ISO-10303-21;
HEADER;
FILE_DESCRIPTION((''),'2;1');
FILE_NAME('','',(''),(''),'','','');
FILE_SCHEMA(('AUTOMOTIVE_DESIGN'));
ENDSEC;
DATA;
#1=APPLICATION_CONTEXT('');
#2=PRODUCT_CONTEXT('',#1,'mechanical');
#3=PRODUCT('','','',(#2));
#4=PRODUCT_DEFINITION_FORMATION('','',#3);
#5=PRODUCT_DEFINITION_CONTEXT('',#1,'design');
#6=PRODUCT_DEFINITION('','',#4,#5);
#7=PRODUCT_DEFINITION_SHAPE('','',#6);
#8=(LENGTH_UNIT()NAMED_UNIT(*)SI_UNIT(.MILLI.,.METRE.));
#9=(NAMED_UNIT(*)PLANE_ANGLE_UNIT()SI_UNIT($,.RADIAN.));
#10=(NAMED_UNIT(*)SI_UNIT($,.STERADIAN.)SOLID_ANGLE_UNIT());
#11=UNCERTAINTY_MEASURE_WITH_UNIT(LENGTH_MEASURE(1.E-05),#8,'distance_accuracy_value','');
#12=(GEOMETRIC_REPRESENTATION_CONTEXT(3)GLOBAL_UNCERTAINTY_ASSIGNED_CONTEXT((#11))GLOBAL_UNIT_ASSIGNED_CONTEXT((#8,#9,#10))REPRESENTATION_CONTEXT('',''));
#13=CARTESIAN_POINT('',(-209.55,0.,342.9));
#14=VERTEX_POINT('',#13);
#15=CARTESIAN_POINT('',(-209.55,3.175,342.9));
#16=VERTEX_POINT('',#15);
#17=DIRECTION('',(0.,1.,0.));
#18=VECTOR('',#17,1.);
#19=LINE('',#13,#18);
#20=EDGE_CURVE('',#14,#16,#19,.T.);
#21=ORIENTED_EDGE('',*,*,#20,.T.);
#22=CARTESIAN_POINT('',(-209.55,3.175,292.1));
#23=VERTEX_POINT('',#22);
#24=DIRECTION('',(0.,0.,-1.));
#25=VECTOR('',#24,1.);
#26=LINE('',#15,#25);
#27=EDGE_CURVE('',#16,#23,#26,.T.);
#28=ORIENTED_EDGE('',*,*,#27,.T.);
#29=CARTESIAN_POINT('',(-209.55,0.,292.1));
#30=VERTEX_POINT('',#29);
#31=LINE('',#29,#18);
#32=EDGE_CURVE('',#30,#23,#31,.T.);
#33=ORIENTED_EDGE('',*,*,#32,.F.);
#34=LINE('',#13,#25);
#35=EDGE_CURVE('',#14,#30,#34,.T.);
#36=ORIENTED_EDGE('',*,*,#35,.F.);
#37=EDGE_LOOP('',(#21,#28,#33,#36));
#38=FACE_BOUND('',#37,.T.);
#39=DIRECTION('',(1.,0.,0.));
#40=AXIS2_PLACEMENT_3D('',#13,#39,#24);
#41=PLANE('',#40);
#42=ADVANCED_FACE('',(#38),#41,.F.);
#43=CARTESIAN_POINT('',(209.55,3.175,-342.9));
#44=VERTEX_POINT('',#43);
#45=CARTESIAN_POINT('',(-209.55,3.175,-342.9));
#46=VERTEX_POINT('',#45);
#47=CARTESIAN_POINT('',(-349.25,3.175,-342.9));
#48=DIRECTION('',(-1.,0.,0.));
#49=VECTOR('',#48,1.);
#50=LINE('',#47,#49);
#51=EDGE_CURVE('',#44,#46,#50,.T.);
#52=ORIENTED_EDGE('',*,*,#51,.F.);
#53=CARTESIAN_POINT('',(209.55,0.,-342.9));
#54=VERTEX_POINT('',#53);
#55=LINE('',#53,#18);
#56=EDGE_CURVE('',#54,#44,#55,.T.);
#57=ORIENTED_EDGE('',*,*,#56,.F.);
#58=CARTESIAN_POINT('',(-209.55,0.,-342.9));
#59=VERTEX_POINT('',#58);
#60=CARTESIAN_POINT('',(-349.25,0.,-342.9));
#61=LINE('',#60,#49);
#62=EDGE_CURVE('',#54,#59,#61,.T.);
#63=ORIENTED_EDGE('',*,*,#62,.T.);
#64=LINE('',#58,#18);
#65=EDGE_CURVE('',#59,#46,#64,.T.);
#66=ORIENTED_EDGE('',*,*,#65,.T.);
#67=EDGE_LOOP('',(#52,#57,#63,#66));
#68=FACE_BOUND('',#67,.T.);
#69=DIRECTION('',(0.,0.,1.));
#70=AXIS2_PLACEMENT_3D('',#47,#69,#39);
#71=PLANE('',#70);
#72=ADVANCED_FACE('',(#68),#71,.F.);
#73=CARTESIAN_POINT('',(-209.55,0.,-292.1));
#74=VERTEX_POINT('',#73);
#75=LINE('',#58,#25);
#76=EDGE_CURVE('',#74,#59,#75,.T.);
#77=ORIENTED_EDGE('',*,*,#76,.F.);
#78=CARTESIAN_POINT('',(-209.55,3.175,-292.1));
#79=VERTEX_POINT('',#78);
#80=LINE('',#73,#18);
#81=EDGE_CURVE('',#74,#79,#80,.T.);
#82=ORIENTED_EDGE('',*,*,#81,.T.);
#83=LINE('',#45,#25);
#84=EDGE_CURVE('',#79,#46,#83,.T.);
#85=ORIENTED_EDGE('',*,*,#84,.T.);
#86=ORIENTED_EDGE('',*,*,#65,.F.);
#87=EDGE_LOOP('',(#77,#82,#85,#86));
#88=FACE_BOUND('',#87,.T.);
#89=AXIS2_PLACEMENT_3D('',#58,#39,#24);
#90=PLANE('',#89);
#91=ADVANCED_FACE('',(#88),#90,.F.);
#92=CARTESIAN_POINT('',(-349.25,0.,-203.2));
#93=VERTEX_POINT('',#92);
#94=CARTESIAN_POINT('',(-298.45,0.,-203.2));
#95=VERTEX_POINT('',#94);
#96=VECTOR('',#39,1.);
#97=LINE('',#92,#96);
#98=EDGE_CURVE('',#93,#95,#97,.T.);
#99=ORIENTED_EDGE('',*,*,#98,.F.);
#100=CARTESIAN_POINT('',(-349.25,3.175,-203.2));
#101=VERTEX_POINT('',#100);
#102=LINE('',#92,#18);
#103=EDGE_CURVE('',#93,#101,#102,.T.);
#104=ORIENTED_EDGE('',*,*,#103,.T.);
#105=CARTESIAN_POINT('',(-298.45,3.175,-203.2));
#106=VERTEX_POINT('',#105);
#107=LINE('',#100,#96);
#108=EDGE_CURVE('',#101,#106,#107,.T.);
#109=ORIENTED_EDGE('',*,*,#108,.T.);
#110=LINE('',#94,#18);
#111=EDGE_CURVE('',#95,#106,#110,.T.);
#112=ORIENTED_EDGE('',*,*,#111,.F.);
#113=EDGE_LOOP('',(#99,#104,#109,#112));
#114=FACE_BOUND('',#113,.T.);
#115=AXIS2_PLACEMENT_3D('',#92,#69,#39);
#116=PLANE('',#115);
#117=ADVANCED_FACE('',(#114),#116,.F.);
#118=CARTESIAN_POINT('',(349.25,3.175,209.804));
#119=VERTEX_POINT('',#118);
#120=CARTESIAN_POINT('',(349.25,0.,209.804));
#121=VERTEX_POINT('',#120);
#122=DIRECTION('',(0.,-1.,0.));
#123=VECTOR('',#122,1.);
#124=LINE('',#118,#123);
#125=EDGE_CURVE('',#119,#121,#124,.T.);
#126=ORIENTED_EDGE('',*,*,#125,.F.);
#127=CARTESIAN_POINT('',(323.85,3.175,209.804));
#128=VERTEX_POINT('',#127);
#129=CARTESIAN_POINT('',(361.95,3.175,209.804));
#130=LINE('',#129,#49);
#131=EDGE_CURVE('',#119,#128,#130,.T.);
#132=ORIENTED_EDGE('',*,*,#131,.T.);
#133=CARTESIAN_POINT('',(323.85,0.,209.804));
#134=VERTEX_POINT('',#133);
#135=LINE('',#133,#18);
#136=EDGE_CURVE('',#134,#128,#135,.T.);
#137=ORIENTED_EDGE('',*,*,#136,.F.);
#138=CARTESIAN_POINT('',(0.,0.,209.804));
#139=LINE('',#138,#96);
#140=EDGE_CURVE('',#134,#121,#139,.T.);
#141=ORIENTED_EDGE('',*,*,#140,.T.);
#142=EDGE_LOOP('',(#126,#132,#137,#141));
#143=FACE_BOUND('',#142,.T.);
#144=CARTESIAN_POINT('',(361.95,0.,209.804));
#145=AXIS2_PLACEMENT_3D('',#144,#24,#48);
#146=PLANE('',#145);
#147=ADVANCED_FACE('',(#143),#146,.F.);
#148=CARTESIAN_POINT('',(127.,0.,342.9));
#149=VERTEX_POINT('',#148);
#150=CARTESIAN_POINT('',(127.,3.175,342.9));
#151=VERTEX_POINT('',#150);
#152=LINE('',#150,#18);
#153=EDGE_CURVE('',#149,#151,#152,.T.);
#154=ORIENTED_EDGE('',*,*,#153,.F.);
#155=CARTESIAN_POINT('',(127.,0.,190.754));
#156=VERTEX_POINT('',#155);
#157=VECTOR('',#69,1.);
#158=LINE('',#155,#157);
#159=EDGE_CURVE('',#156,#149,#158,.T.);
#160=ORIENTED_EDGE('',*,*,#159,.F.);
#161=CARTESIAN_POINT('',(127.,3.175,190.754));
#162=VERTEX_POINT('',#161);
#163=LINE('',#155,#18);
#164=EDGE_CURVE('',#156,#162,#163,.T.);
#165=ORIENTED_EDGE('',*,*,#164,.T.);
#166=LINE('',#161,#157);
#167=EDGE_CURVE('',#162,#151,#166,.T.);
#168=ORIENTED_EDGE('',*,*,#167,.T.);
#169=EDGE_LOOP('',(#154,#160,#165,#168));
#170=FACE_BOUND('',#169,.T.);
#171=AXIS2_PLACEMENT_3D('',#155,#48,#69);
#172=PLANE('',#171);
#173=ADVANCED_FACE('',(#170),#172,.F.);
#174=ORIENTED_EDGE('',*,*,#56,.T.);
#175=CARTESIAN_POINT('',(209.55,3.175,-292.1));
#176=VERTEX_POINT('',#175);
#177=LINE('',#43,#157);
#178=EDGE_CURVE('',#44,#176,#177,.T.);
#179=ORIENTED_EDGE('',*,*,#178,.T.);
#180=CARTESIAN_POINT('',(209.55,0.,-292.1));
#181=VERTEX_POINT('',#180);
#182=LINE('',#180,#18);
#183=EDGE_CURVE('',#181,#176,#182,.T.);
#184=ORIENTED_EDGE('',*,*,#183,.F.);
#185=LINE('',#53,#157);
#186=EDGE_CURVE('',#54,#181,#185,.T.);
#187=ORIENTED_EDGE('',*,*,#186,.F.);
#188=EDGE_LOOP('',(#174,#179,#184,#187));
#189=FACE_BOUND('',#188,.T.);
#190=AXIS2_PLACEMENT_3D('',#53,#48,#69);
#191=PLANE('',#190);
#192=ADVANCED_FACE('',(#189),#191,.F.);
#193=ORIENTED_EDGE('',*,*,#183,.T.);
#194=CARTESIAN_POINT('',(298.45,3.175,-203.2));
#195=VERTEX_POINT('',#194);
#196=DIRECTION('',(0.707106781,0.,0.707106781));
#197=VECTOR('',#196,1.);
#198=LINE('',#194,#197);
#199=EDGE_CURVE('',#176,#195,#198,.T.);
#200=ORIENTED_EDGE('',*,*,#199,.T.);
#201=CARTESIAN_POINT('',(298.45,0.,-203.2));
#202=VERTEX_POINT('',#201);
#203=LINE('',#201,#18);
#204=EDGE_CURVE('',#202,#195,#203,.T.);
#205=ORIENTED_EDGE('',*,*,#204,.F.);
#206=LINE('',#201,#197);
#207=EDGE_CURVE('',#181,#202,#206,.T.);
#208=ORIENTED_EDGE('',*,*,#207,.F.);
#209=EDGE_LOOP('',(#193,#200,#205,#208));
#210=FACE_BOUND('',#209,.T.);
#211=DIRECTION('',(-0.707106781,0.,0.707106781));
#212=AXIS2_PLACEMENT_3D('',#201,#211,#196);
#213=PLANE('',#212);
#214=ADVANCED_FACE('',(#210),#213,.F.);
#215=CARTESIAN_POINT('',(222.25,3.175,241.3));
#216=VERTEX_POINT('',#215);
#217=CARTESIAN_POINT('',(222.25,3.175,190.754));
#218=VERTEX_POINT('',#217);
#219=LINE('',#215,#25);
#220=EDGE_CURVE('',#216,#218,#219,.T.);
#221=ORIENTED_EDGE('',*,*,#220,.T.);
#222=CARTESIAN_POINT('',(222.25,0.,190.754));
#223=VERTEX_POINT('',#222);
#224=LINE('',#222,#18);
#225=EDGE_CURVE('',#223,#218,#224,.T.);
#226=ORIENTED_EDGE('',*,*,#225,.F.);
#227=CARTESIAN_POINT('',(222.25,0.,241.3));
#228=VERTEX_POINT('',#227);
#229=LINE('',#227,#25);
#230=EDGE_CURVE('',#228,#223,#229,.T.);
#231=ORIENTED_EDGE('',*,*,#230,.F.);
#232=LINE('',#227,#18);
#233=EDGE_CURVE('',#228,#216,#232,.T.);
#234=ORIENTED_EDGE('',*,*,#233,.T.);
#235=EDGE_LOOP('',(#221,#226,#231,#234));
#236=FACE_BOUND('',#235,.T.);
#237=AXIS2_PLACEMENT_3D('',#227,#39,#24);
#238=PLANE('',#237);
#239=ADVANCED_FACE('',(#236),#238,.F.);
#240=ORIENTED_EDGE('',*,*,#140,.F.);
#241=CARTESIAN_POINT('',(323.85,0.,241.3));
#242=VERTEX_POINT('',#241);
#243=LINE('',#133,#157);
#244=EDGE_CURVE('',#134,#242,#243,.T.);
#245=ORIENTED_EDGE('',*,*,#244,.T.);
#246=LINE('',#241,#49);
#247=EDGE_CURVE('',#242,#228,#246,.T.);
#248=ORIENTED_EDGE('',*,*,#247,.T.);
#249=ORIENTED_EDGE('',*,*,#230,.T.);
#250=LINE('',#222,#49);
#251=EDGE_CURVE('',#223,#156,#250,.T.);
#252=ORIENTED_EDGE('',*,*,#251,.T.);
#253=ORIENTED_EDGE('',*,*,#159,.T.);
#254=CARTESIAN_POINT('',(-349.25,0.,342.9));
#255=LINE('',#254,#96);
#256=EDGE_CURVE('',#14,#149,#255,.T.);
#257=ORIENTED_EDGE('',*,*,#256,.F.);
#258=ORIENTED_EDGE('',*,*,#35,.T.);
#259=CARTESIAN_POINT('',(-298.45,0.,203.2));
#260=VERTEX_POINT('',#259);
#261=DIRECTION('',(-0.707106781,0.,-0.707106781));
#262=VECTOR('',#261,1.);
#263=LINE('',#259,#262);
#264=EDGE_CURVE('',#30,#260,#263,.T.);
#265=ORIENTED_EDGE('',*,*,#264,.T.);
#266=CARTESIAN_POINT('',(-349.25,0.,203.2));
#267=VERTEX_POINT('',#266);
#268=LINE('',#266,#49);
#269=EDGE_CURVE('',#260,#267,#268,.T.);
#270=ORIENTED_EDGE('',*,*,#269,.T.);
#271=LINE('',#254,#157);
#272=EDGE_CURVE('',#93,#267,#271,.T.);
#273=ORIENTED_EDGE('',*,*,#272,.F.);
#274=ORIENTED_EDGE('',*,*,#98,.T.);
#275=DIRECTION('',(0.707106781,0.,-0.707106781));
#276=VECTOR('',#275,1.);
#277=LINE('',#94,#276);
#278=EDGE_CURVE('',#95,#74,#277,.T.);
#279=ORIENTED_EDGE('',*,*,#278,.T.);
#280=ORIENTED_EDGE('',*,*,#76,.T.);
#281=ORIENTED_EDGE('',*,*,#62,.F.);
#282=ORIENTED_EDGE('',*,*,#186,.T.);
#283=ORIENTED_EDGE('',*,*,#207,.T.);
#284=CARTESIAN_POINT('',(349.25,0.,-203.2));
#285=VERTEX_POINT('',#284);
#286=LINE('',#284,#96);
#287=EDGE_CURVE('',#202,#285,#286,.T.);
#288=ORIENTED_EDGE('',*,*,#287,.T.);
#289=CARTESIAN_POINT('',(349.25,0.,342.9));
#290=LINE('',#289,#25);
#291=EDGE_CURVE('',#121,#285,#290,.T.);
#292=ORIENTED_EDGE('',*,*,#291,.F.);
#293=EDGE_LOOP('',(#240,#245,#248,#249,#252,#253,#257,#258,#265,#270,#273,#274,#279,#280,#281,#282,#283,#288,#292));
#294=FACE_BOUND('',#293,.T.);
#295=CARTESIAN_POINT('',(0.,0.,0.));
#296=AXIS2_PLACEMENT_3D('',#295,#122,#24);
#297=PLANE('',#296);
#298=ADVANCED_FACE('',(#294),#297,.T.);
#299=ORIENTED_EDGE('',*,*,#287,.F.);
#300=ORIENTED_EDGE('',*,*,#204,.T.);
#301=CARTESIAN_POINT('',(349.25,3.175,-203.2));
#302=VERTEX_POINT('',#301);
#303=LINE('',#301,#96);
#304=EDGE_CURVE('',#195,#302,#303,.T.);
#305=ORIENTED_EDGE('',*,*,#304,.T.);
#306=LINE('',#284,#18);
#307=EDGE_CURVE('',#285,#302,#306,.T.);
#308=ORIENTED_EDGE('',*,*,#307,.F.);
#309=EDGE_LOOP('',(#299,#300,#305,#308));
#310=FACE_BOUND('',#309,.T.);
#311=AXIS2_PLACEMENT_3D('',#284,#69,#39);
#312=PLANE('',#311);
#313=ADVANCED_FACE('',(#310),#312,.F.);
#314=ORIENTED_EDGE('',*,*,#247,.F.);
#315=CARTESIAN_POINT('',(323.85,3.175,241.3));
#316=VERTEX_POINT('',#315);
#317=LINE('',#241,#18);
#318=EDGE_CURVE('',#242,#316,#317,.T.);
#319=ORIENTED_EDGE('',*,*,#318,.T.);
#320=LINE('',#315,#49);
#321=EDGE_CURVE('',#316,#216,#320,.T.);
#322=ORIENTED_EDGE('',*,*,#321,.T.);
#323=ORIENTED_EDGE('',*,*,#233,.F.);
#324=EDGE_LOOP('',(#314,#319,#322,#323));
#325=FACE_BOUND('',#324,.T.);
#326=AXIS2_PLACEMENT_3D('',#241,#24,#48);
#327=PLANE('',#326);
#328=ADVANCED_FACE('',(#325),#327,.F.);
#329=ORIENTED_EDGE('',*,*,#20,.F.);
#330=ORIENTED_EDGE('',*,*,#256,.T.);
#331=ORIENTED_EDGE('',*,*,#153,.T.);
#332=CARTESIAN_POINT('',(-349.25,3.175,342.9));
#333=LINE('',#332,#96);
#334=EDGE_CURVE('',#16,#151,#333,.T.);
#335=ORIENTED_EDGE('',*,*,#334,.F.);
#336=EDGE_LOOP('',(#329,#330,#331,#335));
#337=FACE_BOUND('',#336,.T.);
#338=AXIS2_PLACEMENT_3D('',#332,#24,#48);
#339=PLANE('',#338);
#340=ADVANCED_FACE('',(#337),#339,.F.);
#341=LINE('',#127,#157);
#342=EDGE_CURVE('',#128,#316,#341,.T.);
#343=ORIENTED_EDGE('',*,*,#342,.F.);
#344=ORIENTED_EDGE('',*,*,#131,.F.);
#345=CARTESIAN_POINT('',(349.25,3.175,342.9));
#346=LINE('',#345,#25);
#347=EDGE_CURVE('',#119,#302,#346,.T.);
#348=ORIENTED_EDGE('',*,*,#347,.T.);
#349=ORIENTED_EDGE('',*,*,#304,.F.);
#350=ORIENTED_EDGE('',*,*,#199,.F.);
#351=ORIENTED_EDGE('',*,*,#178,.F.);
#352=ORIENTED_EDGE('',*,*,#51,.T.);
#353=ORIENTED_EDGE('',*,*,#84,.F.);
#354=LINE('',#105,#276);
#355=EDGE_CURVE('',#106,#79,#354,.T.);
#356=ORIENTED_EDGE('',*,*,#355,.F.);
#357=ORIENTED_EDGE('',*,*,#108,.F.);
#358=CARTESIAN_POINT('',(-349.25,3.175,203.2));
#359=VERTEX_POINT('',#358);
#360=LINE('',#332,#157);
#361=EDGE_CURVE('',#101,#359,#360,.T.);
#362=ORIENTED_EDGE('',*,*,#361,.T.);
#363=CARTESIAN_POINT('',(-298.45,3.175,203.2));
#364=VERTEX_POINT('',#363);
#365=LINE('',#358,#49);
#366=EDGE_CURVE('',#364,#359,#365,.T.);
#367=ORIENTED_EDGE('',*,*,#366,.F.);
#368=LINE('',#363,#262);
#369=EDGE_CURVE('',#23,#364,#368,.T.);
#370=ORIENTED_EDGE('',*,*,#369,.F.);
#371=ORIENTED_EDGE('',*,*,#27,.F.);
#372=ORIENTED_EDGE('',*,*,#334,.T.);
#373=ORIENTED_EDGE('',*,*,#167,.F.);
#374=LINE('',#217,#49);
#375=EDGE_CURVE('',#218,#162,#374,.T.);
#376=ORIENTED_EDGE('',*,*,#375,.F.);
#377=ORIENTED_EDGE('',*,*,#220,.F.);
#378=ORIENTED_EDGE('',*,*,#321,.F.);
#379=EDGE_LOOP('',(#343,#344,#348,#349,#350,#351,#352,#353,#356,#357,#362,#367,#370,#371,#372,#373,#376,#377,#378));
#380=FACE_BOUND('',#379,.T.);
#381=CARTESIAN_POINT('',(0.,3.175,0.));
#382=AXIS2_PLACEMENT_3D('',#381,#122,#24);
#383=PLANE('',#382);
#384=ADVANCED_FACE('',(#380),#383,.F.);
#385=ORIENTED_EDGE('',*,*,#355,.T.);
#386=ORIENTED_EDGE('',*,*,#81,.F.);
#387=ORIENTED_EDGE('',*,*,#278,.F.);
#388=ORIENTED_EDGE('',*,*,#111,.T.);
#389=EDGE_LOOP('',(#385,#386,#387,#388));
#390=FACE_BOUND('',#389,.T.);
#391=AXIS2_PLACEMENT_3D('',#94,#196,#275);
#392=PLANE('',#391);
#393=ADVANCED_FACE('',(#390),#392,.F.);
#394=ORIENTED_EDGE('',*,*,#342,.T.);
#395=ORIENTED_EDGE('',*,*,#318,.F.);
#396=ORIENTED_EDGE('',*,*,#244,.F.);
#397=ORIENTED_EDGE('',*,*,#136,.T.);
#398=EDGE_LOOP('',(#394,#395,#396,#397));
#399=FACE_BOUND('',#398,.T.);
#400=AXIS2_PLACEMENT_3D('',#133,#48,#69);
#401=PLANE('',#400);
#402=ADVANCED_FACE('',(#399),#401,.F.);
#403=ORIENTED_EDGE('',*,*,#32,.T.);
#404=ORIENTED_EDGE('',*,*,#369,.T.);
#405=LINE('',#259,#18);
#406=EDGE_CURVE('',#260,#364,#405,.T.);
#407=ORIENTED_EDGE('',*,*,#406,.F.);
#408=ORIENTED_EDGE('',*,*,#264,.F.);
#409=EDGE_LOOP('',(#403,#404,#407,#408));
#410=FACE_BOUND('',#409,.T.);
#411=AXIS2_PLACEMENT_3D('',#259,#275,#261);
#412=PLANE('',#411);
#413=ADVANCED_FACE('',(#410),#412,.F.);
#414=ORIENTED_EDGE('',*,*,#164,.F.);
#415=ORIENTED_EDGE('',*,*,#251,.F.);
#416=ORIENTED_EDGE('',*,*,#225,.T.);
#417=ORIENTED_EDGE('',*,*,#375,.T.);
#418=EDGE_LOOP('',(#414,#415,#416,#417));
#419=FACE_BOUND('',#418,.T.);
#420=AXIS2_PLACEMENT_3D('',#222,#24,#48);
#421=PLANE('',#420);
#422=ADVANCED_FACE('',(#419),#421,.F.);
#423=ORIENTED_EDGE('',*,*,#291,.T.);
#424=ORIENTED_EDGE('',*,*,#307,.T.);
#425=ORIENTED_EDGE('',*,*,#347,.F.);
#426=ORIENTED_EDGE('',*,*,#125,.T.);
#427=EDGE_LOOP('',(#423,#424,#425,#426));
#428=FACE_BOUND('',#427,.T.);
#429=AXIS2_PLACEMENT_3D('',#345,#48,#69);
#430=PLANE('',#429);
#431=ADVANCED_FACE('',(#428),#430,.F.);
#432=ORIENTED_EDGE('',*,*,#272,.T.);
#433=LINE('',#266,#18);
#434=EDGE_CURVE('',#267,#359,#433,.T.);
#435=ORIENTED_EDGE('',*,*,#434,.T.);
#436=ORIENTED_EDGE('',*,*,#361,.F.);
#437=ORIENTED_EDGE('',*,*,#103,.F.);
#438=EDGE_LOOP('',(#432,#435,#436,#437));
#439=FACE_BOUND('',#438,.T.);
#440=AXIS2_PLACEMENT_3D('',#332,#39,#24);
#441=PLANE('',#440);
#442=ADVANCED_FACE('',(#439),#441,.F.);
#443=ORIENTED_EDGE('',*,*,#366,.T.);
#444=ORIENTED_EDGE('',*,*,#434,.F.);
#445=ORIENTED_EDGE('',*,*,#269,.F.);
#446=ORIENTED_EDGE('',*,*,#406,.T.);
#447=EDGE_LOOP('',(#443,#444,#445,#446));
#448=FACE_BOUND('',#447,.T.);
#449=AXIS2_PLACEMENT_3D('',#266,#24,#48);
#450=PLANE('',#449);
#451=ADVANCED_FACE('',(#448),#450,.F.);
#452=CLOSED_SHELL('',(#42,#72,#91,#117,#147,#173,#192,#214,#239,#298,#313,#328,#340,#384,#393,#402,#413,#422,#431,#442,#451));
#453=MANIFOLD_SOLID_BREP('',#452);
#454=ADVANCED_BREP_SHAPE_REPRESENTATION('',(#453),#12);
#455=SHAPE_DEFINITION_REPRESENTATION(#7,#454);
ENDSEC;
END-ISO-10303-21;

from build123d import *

# Parameters (mm, degrees)
SKETCH1_W           = 698.5
SKETCH1_H           = 685.8
BOSS_EXTRUDE1_DEPTH = 3.175
CUT_EXTRUDE1_DEPTH  = 4.175
CUT_EXTRUDE2_DEPTH  = 4.175


with BuildPart() as part:
    # Sketch1 → Boss-Extrude1 (new body)
    with BuildSketch(Plane(origin=(0, 0, 0), x_dir=(1, 0, 0), z_dir=(0, 1, 0))):
        Rectangle(SKETCH1_W, SKETCH1_H)
    extrude(amount=BOSS_EXTRUDE1_DEPTH)

    # Sketch3 → Cut-Extrude1 (cut, through all)
    with BuildSketch(Plane(origin=(0, 3.175, 0), x_dir=(1, 0, 0), z_dir=(0, 1, 0))):
        Polygon((-298.45, 203.2), (-209.55, 292.1), (-209.55, 342.9), (-349.25, 342.9), (-349.25, 203.2), align=None)
        Polygon((-349.25, -203.2), (-298.45, -203.2), (-209.55, -292.1), (-209.55, -342.9), (-349.25, -342.9), align=None)
        Polygon((349.25, 203.2), (298.45, 203.2), (209.55, 292.1), (209.55, 342.9), (349.25, 342.9), align=None)
    extrude(amount=-CUT_EXTRUDE1_DEPTH, mode=Mode.SUBTRACT)

    # Sketch7 → Cut-Extrude2 (cut, through all)
    with BuildSketch(Plane(origin=(-6.096, 3.175, 0.254), x_dir=(1, 0, 0), z_dir=(0, 1, 0))):
        Polygon((133.096, -190.5), (133.096, -355.346), (368.046, -355.346), (368.046, -209.55), (329.946, -209.55), (329.946, -241.046), (228.346, -241.046), (228.346, -190.5), align=None)
    extrude(amount=-CUT_EXTRUDE2_DEPTH, mode=Mode.SUBTRACT)


solid = part.part
